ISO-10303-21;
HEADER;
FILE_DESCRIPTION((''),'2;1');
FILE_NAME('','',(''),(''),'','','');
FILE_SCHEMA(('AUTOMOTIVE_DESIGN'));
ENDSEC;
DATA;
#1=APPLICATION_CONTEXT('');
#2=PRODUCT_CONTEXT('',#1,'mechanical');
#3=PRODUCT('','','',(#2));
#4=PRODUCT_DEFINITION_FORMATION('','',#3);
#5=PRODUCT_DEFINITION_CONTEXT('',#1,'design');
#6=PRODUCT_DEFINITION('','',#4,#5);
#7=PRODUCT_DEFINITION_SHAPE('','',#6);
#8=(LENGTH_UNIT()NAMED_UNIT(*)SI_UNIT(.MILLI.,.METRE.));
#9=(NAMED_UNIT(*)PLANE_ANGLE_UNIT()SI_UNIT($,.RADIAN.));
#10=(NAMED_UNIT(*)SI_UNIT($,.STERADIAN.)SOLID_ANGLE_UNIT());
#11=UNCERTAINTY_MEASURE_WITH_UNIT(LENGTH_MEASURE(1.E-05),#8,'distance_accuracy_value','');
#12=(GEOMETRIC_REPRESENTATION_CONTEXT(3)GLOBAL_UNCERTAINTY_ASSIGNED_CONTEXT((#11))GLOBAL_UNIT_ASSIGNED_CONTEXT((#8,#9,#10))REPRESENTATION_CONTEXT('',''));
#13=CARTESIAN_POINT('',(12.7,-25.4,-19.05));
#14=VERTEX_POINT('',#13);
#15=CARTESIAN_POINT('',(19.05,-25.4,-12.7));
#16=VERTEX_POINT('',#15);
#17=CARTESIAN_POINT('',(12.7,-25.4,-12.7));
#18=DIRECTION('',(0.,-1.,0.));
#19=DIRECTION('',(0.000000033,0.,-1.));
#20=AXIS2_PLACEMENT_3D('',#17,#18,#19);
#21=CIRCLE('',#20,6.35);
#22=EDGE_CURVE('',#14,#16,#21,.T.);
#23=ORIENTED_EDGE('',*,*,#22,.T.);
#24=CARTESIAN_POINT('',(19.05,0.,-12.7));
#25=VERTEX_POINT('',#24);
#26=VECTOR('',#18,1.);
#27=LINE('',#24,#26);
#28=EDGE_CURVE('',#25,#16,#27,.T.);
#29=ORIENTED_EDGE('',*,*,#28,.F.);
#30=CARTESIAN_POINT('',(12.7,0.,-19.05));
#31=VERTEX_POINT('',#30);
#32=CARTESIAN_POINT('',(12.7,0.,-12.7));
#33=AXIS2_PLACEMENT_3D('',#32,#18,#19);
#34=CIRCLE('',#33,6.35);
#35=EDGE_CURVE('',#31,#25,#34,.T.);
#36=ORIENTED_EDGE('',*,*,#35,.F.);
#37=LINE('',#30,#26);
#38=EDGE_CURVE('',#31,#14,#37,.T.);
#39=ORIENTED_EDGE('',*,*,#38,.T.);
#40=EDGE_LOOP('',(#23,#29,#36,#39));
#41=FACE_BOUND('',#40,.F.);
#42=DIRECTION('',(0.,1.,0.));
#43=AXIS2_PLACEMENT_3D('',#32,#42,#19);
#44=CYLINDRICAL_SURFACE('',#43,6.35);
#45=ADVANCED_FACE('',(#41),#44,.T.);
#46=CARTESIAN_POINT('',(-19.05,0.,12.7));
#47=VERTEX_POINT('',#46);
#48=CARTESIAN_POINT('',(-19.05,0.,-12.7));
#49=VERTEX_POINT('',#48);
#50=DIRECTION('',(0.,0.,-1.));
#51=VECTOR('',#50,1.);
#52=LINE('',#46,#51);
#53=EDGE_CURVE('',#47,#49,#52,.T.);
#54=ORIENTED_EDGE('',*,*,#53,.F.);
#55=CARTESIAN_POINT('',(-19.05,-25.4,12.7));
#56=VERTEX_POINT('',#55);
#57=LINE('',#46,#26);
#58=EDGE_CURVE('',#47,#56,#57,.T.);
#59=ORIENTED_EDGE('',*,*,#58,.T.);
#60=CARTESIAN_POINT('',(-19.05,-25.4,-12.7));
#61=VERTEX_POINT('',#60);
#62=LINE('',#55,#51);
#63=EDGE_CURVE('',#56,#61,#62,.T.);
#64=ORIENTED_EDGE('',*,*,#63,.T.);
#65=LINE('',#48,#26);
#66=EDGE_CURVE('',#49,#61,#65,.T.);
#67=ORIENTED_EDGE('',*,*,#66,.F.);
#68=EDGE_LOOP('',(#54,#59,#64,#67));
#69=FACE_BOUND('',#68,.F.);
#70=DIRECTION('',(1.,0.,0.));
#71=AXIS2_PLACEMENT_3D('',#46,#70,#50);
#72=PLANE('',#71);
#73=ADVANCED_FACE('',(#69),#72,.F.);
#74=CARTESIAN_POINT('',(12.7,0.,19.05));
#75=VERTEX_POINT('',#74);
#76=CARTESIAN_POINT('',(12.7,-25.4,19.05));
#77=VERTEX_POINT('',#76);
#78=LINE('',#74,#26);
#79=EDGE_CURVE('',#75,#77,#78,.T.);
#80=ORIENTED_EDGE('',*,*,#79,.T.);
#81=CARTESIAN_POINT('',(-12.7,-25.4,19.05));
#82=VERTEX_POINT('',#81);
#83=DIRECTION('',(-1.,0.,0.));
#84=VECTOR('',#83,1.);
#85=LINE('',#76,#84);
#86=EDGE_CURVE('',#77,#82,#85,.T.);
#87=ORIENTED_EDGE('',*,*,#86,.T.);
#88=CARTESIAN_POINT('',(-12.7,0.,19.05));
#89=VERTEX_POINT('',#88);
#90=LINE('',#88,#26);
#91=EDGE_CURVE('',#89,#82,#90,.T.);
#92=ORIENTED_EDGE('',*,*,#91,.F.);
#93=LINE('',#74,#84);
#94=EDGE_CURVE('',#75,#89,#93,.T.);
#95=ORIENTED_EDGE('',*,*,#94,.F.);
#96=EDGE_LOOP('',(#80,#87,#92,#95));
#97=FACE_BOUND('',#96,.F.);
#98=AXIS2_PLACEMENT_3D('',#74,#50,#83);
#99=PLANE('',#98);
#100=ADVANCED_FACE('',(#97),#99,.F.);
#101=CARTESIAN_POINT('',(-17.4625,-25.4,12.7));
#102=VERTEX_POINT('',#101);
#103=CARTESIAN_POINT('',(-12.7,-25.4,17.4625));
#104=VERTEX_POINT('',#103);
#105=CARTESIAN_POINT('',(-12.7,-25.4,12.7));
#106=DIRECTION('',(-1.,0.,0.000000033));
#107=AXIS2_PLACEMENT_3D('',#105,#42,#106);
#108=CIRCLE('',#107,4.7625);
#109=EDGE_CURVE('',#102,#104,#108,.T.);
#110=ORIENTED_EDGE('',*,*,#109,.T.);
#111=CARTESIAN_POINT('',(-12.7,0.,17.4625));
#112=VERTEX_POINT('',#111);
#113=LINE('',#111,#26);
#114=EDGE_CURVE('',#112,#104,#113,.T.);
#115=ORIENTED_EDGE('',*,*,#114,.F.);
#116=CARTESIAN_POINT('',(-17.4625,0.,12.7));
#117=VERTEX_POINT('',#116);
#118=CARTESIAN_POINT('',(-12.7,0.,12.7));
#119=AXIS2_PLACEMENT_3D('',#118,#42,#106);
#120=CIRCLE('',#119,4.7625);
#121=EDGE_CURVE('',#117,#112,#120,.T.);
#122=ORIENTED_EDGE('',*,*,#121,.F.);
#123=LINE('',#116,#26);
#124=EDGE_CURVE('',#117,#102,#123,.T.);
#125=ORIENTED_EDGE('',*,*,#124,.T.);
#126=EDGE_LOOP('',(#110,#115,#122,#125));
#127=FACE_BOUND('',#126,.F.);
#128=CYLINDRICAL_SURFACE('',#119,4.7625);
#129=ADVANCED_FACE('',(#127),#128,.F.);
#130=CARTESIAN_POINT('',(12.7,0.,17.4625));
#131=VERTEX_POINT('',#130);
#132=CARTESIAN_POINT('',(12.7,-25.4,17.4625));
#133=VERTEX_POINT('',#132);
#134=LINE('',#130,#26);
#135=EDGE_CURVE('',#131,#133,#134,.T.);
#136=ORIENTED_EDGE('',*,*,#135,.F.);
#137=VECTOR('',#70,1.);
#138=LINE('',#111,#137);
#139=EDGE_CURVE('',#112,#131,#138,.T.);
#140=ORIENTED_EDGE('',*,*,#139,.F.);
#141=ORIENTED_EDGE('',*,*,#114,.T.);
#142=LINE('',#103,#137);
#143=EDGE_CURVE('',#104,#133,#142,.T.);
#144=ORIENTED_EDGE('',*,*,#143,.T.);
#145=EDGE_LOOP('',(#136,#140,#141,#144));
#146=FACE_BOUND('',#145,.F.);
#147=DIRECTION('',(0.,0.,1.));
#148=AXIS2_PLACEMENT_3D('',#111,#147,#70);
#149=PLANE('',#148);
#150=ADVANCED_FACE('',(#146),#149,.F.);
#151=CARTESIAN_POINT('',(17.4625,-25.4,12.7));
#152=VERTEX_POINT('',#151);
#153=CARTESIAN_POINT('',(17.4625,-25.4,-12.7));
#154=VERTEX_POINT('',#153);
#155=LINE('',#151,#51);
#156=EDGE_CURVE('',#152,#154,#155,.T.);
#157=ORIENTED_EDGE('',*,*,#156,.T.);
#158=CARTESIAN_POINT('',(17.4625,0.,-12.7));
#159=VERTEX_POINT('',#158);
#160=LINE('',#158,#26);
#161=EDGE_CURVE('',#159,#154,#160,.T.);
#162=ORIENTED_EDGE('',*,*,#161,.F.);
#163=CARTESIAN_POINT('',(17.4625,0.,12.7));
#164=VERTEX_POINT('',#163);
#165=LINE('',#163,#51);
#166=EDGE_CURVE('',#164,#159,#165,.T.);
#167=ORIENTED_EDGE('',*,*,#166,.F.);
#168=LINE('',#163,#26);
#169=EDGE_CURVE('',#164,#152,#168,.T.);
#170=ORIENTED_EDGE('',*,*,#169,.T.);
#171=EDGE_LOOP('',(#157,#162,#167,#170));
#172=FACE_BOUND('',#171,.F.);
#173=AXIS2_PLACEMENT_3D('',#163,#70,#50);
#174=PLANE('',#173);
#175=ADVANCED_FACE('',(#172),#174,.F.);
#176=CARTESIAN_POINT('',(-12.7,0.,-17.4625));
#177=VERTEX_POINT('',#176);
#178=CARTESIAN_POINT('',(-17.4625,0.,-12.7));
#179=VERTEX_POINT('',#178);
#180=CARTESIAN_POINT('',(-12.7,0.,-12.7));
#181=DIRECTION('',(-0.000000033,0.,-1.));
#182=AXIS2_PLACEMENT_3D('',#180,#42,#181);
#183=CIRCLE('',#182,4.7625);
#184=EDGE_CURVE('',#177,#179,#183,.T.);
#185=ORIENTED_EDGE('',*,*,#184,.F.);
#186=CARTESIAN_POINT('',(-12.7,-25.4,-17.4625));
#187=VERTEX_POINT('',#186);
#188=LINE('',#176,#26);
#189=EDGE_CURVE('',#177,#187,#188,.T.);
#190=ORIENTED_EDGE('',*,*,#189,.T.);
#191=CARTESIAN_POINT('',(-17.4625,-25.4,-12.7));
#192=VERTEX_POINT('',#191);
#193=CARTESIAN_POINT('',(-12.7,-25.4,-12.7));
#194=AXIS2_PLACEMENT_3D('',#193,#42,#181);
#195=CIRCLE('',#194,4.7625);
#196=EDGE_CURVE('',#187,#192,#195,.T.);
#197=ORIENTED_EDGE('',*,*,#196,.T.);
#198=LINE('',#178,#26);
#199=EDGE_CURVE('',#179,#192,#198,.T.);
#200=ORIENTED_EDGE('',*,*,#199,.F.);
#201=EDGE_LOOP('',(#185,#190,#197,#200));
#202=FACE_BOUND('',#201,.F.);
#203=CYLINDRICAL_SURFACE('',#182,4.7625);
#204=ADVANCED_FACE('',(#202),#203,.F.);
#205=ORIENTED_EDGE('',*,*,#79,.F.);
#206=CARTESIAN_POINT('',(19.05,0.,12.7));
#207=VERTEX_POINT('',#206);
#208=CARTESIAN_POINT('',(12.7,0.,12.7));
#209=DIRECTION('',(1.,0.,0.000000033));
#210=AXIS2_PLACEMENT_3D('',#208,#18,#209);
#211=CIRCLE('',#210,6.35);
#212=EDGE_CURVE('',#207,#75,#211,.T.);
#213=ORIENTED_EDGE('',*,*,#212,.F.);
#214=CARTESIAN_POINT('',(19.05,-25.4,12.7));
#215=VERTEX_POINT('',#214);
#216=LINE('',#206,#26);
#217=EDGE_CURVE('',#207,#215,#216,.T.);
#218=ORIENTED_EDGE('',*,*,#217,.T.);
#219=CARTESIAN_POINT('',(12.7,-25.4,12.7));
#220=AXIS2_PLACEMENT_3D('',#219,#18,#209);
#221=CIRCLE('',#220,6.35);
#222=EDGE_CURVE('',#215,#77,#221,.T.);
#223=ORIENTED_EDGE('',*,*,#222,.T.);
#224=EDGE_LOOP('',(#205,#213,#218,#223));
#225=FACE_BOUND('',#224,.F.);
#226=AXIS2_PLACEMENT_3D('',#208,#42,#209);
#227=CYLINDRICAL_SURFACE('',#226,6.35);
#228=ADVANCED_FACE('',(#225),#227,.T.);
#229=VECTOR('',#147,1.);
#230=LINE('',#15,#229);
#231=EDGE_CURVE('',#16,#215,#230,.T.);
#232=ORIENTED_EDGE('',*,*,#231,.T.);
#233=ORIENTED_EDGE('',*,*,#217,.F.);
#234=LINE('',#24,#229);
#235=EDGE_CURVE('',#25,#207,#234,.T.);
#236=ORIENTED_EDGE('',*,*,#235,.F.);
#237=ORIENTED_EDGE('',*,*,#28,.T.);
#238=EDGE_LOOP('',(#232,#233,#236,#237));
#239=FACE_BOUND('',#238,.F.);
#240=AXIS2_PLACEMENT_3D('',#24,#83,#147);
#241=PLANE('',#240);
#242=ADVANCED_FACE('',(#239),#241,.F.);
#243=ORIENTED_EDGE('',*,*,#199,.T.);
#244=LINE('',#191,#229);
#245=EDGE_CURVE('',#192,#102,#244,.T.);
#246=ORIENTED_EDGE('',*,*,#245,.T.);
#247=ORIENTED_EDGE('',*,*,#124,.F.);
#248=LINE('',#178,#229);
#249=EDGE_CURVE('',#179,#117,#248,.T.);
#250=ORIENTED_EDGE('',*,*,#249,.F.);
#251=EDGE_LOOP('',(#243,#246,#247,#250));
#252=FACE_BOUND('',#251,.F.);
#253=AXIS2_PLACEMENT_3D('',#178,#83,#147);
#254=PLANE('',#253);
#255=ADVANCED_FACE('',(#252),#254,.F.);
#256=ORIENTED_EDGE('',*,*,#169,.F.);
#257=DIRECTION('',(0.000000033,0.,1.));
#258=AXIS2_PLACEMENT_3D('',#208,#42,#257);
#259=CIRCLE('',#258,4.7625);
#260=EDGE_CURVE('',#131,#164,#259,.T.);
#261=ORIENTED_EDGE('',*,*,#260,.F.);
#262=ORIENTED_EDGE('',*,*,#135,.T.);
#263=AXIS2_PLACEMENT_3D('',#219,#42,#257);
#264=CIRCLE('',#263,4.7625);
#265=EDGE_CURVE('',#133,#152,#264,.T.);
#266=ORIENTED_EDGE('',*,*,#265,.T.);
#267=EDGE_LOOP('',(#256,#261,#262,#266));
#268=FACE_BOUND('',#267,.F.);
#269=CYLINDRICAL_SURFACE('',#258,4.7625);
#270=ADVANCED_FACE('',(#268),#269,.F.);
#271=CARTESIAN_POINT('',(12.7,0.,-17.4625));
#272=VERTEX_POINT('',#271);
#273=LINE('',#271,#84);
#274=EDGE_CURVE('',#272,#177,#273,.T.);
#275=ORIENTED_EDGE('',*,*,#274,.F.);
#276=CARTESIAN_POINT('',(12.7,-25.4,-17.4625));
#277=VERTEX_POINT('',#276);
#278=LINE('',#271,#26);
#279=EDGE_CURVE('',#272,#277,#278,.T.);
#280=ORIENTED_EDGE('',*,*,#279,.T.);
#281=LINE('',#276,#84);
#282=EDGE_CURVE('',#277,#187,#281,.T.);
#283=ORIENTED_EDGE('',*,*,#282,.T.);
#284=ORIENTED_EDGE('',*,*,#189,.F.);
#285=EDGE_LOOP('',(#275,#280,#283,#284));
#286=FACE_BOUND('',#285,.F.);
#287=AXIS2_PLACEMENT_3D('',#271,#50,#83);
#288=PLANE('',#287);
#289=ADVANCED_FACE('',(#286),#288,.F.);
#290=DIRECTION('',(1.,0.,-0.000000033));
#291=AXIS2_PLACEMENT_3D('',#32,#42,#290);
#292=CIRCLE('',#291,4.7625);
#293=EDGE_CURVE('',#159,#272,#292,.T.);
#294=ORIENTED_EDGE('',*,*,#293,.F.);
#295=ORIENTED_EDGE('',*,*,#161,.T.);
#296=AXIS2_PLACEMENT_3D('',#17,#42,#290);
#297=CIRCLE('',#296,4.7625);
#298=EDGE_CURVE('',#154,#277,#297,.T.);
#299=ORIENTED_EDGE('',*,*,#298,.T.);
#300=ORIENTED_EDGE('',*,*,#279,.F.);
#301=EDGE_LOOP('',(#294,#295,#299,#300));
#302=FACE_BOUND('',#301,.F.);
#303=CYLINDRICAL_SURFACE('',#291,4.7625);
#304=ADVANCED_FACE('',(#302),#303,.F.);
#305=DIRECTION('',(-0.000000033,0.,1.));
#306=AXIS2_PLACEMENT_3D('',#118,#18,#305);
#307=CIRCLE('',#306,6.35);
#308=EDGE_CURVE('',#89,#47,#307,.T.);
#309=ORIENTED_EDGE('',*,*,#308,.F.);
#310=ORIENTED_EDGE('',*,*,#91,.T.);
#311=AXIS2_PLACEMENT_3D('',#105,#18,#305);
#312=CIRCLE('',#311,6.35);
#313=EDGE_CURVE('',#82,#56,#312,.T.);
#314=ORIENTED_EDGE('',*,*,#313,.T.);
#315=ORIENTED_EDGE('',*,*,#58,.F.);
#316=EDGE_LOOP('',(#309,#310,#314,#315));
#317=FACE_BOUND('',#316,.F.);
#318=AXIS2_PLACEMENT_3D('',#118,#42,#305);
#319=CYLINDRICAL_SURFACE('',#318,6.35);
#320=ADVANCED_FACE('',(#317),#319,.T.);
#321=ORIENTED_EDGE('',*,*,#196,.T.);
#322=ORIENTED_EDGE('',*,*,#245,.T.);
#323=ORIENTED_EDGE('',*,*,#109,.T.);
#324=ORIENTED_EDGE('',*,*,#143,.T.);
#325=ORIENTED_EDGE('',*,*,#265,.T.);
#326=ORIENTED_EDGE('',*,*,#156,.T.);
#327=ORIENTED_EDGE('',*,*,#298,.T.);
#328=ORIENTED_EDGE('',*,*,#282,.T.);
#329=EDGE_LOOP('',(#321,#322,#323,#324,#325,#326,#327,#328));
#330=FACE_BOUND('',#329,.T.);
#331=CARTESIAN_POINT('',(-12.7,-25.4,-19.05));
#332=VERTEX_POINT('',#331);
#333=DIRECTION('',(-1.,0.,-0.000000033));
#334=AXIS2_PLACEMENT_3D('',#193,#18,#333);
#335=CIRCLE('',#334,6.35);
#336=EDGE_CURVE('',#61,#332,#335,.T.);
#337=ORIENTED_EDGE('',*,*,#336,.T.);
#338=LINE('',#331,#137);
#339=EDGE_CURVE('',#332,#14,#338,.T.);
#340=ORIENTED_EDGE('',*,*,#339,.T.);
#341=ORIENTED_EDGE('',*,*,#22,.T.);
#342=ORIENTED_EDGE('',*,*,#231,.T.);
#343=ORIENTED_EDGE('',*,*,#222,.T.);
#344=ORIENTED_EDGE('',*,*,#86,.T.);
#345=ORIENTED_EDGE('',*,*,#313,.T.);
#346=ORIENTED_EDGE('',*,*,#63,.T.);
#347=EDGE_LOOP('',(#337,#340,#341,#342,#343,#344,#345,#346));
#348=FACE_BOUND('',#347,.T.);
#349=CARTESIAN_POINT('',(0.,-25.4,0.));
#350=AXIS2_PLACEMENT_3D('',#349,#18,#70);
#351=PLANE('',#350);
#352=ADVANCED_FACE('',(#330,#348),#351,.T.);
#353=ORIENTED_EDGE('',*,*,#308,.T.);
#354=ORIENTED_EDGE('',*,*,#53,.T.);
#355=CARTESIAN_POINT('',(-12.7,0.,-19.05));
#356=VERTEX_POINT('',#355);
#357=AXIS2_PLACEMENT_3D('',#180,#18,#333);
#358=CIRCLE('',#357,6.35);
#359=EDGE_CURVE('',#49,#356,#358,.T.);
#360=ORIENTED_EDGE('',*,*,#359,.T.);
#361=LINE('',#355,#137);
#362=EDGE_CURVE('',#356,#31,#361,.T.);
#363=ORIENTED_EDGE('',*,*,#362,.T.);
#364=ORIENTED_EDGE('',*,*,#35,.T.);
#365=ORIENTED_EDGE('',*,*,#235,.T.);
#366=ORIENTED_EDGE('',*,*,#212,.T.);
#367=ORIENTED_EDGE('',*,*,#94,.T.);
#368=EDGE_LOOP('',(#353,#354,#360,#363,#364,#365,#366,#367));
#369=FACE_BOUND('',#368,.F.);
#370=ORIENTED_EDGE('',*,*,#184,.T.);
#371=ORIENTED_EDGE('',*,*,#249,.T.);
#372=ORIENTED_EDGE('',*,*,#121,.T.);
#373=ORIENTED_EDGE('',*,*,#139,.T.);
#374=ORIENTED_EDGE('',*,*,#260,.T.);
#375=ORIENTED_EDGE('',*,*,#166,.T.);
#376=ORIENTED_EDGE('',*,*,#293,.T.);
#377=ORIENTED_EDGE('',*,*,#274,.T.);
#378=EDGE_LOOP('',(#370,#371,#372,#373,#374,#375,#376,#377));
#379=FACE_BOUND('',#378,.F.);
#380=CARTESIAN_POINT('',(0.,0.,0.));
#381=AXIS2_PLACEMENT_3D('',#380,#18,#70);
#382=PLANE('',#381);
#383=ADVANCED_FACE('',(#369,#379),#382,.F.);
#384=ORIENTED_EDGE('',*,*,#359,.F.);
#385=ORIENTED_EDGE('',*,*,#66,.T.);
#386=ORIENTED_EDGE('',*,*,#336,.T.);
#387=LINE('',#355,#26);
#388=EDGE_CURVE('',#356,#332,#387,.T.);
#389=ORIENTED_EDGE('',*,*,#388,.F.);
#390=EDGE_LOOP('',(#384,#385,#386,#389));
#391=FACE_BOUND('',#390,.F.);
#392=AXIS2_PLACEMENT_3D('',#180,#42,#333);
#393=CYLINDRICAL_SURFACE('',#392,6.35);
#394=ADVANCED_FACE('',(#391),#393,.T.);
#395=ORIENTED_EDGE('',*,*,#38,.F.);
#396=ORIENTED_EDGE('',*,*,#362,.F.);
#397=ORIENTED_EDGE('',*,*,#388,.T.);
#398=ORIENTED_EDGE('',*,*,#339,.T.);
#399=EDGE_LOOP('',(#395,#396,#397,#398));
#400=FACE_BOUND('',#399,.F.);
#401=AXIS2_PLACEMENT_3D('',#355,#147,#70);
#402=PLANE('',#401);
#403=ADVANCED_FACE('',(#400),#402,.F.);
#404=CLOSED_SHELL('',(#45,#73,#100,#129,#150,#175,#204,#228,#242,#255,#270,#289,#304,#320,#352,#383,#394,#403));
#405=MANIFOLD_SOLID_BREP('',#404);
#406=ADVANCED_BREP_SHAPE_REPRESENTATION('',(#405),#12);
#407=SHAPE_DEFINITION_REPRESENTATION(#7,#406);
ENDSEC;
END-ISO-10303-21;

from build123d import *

# Parameters (mm, degrees)
F1_DEPTH = 25.4


with BuildPart() as f1:
    # F0 (on Front) → F1 (new body)
    with BuildSketch(Plane.XZ):
        with BuildLine():
            Line((-12.7, -19.05), (12.7, -19.05))
            ThreePointArc((12.7, -19.05), (17.190128, -17.190128), (19.05, -12.7))
            Line((19.05, -12.7), (19.05, 12.7))
            ThreePointArc((19.05, 12.7), (17.190128, 17.190128), (12.7, 19.05))
            Line((12.7, 19.05), (-12.7, 19.05))
            ThreePointArc((-12.7, 19.05), (-17.190128, 17.190128), (-19.05, 12.7))
            Line((-19.05, 12.7), (-19.05, -12.7))
            ThreePointArc((-19.05, -12.7), (-17.190128, -17.190128), (-12.7, -19.05))
        make_face()
        with BuildLine():
            Line((-12.7, 17.4625), (12.7, 17.4625))
            ThreePointArc((12.7, 17.4625), (16.067596, 16.067596), (17.4625, 12.7))
            Line((17.4625, 12.7), (17.4625, -12.7))
            ThreePointArc((17.4625, -12.7), (16.067596, -16.067596), (12.7, -17.4625))
            Line((12.7, -17.4625), (-12.7, -17.4625))
            ThreePointArc((-12.7, -17.4625), (-16.067596, -16.067596), (-17.4625, -12.7))
            Line((-17.4625, -12.7), (-17.4625, 12.7))
            ThreePointArc((-17.4625, 12.7), (-16.067596, 16.067596), (-12.7, 17.4625))
        make_face(mode=Mode.SUBTRACT)
    extrude(amount=F1_DEPTH)


solid = f1.part
